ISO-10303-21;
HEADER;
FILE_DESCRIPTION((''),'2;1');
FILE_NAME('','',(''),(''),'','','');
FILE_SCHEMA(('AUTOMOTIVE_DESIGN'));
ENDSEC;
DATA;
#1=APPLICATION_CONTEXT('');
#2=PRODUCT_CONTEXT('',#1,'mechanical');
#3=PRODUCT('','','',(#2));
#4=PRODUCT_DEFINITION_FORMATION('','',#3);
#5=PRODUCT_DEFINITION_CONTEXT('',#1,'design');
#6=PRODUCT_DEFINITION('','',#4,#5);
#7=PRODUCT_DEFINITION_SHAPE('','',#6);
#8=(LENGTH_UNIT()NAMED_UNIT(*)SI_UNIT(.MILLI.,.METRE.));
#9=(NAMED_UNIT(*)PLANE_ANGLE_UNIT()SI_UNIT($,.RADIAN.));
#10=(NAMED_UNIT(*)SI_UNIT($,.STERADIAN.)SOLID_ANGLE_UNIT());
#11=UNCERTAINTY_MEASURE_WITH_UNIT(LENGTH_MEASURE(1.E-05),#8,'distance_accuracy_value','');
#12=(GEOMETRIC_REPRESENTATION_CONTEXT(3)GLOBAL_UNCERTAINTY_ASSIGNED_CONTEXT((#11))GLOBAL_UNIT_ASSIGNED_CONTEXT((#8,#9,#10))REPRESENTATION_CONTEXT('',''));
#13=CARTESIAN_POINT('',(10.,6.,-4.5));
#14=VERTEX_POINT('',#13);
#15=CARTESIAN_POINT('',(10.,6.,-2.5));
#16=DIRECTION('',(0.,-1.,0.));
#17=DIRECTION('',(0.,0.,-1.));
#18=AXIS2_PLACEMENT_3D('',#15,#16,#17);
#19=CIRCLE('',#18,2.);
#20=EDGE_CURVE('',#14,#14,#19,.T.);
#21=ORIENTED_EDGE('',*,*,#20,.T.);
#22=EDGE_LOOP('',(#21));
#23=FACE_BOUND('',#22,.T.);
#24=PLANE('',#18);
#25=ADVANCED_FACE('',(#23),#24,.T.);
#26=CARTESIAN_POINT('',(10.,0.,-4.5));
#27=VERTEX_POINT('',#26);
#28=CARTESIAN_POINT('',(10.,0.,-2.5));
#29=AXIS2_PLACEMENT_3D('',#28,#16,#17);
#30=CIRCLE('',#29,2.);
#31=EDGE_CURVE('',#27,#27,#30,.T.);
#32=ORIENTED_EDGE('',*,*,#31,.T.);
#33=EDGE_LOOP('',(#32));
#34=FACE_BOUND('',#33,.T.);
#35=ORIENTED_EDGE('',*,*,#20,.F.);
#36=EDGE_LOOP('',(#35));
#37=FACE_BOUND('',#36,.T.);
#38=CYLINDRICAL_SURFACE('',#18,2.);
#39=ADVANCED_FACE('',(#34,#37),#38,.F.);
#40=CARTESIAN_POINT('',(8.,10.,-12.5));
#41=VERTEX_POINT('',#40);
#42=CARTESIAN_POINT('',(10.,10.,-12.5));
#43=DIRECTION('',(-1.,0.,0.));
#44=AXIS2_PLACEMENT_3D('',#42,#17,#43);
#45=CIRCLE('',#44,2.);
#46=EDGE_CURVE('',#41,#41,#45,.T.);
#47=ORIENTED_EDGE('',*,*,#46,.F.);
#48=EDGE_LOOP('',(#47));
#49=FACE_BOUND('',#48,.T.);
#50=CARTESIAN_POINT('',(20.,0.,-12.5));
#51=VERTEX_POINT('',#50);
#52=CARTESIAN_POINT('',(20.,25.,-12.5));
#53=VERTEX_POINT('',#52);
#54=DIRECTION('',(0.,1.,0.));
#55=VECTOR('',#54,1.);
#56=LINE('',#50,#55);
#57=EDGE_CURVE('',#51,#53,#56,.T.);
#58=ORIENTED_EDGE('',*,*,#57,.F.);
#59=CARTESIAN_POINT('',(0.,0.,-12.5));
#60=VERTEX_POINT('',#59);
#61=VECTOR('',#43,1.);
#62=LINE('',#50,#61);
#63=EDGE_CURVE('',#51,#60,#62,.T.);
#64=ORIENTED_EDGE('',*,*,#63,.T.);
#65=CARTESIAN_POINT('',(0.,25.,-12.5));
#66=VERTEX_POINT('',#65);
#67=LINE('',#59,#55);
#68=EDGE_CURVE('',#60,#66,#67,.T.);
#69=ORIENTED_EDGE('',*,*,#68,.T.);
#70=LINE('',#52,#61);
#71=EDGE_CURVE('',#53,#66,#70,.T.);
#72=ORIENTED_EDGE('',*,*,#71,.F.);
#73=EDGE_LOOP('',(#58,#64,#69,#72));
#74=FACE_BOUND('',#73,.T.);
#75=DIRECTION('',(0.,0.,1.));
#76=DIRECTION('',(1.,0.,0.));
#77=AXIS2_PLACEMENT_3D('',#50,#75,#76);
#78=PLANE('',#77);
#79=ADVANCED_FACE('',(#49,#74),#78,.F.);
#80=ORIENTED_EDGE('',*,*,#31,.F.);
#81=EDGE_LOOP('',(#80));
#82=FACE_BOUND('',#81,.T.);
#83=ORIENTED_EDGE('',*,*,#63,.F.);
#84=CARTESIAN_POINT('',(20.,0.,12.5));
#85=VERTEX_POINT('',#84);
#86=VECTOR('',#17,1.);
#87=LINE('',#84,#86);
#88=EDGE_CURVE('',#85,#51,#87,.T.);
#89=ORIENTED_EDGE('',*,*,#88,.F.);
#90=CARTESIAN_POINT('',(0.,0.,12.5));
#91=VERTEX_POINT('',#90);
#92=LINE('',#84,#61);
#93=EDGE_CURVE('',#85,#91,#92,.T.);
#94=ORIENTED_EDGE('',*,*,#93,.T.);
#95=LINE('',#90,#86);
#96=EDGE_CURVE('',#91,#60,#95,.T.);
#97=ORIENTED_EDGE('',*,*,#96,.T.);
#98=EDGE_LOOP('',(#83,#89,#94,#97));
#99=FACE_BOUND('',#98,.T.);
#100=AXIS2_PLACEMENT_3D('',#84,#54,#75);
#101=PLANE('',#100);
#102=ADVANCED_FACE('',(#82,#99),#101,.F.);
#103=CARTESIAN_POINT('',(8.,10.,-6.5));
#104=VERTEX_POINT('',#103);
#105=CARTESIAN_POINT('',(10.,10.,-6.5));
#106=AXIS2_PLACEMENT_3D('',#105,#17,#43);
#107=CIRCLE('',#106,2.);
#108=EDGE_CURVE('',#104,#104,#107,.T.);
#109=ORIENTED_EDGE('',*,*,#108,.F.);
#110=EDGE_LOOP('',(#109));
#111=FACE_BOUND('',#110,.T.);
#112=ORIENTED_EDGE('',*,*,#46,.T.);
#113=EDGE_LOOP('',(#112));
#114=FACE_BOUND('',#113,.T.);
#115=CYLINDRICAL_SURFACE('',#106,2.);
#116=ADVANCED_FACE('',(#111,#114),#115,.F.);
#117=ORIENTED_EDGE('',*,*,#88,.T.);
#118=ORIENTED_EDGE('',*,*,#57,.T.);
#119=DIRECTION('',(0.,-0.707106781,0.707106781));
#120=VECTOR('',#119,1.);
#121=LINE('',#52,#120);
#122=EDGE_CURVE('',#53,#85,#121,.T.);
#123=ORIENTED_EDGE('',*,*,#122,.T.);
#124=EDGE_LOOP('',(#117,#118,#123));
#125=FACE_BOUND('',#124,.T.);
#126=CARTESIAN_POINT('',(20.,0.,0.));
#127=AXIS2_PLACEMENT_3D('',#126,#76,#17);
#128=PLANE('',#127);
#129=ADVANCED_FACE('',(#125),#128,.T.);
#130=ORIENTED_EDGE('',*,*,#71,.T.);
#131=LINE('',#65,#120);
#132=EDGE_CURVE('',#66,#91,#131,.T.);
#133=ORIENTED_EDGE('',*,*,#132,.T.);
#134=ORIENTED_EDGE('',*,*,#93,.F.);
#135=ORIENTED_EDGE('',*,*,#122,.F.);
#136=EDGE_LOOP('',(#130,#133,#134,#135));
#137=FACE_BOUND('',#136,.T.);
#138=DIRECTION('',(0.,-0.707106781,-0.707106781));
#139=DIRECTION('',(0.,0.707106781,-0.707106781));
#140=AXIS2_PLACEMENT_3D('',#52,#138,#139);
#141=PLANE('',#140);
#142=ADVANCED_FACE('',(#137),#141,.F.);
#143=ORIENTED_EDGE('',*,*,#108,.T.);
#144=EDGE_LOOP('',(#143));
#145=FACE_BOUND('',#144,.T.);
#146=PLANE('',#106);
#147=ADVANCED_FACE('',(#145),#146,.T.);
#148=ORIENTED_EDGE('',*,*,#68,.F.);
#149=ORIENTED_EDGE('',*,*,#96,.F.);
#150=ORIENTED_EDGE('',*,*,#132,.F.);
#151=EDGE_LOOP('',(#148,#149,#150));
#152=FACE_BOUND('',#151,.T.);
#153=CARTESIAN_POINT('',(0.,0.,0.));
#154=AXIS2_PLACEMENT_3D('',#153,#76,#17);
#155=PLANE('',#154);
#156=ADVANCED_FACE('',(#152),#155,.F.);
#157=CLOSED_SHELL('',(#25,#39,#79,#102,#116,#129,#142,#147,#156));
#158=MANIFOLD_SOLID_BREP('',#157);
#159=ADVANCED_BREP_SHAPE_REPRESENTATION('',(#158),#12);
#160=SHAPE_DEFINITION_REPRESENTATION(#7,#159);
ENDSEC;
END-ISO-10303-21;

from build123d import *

# Parameters (mm, degrees)
BOSS_EXTRUDE1_DEPTH = 20
SKETCH3_R           = 2
CUT_EXTRUDE1_DEPTH  = 6
SKETCH4_R           = 2
CUT_EXTRUDE2_DEPTH  = 6


with BuildPart() as part:
    # Sketch2 → Boss-Extrude1 (new body)
    with BuildSketch(Plane(origin=(0, 0, 0), x_dir=(0, 0, -1), z_dir=(1, 0, 0))):
        Polygon((-12.5, 0), (12.5, 0), (12.5, 25), align=None)
    extrude(amount=BOSS_EXTRUDE1_DEPTH)

    # Sketch3 → Cut-Extrude1 (cut)
    with BuildSketch(Plane(origin=(0, 0, -12.5), x_dir=(-1, 0, 0), z_dir=(0, 0, -1))):
        with Locations((-10, 10)):
            Circle(SKETCH3_R)
    extrude(amount=-CUT_EXTRUDE1_DEPTH, mode=Mode.SUBTRACT)

    # Sketch4 → Cut-Extrude2 (cut)
    with BuildSketch(Plane.XZ):
        with Locations(Location((10, -2.5, 0), (0, 0, 270))):
            Circle(SKETCH4_R)
    extrude(amount=-CUT_EXTRUDE2_DEPTH, mode=Mode.SUBTRACT)


solid = part.part
